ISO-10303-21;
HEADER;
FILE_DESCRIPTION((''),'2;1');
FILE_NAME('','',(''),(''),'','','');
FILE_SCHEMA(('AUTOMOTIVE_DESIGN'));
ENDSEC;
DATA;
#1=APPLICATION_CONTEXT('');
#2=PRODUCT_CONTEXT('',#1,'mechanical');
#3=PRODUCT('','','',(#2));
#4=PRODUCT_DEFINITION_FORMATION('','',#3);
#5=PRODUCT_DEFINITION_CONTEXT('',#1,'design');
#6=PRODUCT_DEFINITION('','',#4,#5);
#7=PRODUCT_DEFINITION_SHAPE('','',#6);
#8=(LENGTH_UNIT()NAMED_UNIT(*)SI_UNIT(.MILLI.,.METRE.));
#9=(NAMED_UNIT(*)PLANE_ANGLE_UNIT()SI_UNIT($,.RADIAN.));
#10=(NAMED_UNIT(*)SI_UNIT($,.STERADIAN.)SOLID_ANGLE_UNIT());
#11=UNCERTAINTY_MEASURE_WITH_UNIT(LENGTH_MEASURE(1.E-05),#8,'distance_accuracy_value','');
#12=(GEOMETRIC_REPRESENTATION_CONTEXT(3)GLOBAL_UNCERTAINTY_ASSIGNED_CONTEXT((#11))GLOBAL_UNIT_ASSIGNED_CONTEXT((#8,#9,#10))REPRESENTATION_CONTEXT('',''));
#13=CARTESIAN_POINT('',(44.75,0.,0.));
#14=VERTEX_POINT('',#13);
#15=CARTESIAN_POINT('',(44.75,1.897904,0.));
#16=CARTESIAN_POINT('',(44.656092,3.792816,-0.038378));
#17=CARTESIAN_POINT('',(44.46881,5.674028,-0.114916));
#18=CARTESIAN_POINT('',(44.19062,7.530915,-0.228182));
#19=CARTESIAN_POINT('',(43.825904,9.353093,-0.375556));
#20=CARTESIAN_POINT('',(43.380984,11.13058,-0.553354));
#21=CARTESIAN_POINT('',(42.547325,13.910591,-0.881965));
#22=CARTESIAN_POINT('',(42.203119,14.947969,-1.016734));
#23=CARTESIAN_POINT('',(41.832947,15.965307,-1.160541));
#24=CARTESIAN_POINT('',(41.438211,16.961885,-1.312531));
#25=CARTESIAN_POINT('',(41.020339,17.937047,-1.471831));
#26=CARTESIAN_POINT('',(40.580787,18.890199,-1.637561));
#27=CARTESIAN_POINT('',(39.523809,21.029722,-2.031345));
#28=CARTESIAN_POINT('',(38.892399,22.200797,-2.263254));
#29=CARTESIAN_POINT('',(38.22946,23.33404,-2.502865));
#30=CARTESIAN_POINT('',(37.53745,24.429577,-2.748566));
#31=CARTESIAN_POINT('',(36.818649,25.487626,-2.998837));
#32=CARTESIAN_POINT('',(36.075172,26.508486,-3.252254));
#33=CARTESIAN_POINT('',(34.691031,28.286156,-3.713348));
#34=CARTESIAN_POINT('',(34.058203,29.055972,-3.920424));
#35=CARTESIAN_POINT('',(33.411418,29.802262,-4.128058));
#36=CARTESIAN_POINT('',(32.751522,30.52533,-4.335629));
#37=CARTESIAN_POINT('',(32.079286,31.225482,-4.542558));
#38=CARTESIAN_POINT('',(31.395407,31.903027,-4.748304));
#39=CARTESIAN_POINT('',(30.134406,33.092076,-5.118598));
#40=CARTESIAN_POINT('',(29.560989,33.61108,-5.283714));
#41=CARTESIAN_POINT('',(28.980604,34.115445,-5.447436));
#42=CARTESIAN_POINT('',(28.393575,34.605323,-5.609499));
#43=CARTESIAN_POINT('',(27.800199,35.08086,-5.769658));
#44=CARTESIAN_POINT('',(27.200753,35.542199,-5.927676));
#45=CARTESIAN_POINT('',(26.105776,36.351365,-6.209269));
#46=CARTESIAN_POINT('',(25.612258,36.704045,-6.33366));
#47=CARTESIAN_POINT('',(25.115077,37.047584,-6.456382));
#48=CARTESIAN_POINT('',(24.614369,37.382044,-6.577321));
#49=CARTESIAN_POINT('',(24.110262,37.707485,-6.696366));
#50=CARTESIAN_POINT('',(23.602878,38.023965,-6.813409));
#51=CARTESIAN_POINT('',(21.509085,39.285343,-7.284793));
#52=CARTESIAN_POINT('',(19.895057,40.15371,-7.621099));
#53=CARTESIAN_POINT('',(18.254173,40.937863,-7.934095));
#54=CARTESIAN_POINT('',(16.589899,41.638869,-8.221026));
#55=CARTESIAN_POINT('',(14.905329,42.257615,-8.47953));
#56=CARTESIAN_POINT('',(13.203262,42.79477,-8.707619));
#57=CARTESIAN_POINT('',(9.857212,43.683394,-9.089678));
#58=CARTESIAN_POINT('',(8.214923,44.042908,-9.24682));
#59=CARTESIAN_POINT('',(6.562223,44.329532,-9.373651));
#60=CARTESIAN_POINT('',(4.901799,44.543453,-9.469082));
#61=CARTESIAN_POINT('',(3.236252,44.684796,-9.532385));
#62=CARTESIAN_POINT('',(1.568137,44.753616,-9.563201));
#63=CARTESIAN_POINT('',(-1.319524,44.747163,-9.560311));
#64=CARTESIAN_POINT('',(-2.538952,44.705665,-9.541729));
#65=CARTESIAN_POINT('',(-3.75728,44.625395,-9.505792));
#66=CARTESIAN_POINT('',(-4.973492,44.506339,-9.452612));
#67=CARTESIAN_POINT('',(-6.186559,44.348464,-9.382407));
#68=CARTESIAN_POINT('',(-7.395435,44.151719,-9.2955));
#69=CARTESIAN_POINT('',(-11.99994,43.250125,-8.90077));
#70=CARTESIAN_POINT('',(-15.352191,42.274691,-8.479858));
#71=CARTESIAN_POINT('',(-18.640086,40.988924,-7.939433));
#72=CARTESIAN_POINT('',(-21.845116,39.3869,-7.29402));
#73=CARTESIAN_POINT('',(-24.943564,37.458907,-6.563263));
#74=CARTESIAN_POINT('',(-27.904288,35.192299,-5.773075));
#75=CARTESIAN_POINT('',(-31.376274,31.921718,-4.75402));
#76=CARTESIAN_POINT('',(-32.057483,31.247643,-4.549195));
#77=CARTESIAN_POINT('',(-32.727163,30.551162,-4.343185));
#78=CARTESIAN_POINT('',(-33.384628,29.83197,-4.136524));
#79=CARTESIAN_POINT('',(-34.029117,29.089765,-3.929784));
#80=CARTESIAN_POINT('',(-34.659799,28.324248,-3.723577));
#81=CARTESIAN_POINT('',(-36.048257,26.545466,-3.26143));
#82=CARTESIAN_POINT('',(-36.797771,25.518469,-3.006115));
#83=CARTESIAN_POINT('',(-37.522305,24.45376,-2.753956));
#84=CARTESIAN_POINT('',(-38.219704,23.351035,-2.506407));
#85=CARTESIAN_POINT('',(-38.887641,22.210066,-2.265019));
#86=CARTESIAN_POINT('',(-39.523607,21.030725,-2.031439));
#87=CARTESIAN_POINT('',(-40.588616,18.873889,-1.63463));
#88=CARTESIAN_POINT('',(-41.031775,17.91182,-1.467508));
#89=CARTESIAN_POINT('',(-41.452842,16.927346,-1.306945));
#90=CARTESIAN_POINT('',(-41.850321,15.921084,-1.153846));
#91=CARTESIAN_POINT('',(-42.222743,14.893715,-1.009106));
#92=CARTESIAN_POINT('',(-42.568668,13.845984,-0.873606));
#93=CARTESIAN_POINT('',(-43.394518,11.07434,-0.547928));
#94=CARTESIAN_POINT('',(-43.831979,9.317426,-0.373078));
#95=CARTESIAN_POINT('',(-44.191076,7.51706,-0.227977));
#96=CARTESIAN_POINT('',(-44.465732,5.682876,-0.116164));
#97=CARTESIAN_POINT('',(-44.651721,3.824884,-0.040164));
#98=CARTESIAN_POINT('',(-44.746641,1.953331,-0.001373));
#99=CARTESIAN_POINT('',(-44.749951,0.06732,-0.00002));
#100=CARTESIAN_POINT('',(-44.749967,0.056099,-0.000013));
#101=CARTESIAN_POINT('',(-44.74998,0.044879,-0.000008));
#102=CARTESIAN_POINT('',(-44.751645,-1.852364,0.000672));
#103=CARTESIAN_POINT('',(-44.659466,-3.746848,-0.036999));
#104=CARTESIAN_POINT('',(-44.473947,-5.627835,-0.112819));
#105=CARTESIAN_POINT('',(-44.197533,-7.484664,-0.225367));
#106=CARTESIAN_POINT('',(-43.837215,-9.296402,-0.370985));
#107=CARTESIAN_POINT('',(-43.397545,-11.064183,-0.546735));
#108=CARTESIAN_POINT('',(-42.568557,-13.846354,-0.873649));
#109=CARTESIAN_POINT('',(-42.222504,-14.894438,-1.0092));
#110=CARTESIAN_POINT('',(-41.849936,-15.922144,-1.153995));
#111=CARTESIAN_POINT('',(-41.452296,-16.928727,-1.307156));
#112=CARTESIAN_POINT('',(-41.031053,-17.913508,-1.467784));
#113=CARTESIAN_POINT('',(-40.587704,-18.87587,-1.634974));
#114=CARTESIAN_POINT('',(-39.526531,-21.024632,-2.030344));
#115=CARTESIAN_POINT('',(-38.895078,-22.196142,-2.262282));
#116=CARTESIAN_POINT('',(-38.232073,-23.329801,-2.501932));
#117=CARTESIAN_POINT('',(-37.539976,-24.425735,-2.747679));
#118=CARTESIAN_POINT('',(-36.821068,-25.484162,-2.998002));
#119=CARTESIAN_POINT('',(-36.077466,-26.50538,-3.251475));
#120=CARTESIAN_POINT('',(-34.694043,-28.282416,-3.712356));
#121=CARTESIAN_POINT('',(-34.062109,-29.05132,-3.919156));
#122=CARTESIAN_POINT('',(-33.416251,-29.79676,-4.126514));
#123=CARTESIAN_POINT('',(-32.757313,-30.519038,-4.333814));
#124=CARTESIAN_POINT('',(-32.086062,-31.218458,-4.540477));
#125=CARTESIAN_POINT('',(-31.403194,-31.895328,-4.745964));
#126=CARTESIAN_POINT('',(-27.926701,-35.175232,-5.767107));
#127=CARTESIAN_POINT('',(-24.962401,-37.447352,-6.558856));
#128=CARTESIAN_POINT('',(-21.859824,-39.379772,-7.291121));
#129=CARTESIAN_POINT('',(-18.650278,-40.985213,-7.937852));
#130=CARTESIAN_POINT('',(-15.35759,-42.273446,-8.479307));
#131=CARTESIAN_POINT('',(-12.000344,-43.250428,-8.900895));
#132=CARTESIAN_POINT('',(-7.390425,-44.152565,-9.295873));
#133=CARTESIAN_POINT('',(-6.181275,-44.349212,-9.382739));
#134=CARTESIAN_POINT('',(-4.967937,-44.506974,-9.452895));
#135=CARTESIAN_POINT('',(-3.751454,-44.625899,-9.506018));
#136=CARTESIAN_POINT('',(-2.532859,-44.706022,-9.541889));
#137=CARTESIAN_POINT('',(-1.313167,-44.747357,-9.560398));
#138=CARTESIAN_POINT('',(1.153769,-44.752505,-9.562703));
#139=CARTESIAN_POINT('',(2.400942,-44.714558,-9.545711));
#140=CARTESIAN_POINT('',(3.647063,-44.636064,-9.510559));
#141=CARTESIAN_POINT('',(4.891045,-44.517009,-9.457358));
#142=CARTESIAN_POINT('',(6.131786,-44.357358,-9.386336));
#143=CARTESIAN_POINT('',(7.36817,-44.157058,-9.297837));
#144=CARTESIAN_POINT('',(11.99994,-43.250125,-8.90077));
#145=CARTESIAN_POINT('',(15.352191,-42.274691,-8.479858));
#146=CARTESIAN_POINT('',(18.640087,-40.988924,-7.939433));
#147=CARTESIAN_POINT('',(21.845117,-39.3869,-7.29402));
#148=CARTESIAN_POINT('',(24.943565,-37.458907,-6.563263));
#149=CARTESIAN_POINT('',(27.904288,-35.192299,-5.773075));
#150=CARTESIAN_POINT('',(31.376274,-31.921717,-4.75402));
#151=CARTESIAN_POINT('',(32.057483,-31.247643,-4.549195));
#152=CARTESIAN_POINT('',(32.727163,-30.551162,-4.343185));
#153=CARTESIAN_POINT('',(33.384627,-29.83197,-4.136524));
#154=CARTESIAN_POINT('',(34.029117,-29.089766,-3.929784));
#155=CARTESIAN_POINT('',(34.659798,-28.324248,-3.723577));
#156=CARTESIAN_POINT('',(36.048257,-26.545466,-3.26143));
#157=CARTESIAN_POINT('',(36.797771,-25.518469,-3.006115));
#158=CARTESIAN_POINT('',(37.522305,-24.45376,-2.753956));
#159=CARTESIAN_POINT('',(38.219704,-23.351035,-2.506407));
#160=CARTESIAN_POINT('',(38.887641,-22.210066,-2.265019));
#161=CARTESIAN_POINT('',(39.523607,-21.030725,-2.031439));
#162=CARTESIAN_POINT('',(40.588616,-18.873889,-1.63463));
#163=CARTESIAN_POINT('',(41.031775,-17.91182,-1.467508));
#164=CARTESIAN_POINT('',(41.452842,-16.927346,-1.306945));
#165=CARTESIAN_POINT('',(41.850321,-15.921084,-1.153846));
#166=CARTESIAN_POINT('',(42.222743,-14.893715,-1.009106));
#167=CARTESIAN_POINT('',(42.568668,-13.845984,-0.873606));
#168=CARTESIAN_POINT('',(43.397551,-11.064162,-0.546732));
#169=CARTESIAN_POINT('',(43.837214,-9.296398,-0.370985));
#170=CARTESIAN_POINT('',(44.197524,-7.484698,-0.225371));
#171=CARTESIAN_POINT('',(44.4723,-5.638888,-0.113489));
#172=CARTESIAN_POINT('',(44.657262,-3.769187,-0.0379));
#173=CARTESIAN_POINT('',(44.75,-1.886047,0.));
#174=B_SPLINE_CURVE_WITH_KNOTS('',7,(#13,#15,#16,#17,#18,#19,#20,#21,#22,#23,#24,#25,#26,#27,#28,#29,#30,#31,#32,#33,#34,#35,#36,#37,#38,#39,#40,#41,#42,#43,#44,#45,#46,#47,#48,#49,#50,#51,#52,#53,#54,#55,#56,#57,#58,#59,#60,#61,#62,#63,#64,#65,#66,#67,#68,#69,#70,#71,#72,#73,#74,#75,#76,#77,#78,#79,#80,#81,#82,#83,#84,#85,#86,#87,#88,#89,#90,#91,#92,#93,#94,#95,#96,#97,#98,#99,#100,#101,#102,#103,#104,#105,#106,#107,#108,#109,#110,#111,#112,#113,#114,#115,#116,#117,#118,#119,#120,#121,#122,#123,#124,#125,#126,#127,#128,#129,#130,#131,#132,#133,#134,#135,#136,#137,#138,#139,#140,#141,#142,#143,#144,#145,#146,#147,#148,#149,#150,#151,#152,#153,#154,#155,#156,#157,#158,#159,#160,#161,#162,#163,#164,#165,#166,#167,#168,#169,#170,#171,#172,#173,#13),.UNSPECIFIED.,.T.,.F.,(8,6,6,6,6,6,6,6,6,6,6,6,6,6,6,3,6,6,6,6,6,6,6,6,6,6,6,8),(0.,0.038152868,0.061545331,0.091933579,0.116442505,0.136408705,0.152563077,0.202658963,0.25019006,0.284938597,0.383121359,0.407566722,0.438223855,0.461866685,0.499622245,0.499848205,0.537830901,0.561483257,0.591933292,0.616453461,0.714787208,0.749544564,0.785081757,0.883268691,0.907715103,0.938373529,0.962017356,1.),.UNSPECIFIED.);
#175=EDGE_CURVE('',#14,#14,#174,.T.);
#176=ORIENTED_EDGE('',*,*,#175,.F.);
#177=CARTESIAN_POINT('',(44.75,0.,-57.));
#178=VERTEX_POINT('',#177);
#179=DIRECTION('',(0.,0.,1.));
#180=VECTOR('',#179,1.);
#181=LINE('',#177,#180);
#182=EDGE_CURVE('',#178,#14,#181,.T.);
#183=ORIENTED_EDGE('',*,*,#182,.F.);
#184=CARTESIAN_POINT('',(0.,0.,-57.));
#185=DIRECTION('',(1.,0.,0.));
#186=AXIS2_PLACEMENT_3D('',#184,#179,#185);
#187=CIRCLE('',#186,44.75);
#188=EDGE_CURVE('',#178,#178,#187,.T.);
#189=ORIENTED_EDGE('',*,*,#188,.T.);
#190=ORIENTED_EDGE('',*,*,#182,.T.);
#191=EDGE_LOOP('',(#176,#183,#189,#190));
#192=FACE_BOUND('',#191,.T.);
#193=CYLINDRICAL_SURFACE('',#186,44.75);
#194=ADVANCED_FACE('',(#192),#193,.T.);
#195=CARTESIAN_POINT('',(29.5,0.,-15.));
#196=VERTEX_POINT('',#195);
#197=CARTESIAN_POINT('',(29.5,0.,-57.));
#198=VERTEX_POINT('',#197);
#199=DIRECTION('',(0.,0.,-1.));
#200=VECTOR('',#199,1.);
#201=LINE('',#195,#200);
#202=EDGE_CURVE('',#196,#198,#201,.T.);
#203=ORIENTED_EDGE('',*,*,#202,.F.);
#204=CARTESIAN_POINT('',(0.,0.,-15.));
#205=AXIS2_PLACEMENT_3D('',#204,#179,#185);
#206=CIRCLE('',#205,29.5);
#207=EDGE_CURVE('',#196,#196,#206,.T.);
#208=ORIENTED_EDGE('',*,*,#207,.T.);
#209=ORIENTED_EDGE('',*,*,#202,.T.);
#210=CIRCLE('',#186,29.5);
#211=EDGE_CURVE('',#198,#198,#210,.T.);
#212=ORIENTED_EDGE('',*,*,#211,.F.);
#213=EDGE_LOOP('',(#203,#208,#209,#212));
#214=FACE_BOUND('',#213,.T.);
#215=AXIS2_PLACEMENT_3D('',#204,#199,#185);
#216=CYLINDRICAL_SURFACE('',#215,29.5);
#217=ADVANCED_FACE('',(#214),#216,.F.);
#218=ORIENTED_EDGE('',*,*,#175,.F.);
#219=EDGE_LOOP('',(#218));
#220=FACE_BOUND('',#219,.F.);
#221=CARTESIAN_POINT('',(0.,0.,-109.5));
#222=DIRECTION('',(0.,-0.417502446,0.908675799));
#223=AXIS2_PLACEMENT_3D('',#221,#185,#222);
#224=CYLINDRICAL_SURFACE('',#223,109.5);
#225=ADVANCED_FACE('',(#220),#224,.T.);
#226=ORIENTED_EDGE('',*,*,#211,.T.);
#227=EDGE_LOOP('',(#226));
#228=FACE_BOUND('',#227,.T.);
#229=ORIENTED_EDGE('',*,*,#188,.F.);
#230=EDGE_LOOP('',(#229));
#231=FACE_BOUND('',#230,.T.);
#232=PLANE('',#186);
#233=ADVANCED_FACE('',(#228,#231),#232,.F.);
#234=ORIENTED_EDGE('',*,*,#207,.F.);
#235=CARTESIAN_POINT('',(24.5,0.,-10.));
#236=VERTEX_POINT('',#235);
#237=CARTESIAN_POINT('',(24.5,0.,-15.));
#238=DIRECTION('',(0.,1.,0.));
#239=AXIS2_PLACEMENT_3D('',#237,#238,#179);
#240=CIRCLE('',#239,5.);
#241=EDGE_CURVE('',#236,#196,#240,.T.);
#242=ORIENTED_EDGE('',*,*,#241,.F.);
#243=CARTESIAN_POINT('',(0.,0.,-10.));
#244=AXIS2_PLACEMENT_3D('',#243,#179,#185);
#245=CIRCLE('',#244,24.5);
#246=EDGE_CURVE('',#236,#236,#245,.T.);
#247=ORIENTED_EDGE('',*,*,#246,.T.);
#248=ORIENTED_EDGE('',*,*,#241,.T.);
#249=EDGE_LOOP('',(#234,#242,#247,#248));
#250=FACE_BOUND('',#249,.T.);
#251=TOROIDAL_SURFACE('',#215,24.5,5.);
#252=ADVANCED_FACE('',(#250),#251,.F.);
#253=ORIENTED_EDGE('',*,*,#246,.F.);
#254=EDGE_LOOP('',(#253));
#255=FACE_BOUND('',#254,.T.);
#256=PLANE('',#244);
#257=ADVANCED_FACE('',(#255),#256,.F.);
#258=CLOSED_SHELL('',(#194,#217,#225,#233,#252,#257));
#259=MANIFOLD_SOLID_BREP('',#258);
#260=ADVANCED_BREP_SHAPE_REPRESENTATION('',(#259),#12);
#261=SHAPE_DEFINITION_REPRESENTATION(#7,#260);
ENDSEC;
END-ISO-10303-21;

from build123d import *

# Parameters (mm, degrees)
F0_W     = 6
F0_H     = 3.5842586756
F3_DEPTH = 50


with BuildPart() as f1:
    # F0 (on Front) → F1 (revolve)
    with BuildSketch(Plane.XZ):
        with BuildLine():
            Line((44.75, 0), (0, 0))
            Line((0, 0), (0, -10))
            Line((0, -10), (24.5, -10))
            ThreePointArc((24.5, -10), (28.0355339059, -11.4644660941), (29.5, -15))
            Line((29.5, -15), (29.5, -48))
            Line((29.5, -48), (35.5, -48))
            Line((35.5, -48), (35.5, -51.5842586756))
            Line((35.5, -51.5842586756), (29.5, -51.5842586756))
            Line((29.5, -51.5842586756), (29.5, -57))
            Line((29.5, -57), (44.75, -57))
            Line((44.75, -57), (44.75, 0))
        make_face()
        with Locations((32.5, -49.7921293378)):
            Rectangle(F0_W, F0_H)
    revolve(axis=Axis((0, 0, -5), (0, 0, 1)))

    # F2 (on Right) → F3 (cut, symmetric)
    with BuildSketch(Plane.YZ):
        with BuildLine():
            Line((-45.7165178026, 10), (-45.7165178026, -10))
            ThreePointArc((-45.7165178026, -10), (0, 0), (45.7165178026, -10))
            Line((45.7165178026, -10), (45.7165178026, 10))
            Line((45.7165178026, 10), (-45.7165178026, 10))
        make_face()
    extrude(amount=F3_DEPTH, both=True, mode=Mode.SUBTRACT)


solid = f1.part
